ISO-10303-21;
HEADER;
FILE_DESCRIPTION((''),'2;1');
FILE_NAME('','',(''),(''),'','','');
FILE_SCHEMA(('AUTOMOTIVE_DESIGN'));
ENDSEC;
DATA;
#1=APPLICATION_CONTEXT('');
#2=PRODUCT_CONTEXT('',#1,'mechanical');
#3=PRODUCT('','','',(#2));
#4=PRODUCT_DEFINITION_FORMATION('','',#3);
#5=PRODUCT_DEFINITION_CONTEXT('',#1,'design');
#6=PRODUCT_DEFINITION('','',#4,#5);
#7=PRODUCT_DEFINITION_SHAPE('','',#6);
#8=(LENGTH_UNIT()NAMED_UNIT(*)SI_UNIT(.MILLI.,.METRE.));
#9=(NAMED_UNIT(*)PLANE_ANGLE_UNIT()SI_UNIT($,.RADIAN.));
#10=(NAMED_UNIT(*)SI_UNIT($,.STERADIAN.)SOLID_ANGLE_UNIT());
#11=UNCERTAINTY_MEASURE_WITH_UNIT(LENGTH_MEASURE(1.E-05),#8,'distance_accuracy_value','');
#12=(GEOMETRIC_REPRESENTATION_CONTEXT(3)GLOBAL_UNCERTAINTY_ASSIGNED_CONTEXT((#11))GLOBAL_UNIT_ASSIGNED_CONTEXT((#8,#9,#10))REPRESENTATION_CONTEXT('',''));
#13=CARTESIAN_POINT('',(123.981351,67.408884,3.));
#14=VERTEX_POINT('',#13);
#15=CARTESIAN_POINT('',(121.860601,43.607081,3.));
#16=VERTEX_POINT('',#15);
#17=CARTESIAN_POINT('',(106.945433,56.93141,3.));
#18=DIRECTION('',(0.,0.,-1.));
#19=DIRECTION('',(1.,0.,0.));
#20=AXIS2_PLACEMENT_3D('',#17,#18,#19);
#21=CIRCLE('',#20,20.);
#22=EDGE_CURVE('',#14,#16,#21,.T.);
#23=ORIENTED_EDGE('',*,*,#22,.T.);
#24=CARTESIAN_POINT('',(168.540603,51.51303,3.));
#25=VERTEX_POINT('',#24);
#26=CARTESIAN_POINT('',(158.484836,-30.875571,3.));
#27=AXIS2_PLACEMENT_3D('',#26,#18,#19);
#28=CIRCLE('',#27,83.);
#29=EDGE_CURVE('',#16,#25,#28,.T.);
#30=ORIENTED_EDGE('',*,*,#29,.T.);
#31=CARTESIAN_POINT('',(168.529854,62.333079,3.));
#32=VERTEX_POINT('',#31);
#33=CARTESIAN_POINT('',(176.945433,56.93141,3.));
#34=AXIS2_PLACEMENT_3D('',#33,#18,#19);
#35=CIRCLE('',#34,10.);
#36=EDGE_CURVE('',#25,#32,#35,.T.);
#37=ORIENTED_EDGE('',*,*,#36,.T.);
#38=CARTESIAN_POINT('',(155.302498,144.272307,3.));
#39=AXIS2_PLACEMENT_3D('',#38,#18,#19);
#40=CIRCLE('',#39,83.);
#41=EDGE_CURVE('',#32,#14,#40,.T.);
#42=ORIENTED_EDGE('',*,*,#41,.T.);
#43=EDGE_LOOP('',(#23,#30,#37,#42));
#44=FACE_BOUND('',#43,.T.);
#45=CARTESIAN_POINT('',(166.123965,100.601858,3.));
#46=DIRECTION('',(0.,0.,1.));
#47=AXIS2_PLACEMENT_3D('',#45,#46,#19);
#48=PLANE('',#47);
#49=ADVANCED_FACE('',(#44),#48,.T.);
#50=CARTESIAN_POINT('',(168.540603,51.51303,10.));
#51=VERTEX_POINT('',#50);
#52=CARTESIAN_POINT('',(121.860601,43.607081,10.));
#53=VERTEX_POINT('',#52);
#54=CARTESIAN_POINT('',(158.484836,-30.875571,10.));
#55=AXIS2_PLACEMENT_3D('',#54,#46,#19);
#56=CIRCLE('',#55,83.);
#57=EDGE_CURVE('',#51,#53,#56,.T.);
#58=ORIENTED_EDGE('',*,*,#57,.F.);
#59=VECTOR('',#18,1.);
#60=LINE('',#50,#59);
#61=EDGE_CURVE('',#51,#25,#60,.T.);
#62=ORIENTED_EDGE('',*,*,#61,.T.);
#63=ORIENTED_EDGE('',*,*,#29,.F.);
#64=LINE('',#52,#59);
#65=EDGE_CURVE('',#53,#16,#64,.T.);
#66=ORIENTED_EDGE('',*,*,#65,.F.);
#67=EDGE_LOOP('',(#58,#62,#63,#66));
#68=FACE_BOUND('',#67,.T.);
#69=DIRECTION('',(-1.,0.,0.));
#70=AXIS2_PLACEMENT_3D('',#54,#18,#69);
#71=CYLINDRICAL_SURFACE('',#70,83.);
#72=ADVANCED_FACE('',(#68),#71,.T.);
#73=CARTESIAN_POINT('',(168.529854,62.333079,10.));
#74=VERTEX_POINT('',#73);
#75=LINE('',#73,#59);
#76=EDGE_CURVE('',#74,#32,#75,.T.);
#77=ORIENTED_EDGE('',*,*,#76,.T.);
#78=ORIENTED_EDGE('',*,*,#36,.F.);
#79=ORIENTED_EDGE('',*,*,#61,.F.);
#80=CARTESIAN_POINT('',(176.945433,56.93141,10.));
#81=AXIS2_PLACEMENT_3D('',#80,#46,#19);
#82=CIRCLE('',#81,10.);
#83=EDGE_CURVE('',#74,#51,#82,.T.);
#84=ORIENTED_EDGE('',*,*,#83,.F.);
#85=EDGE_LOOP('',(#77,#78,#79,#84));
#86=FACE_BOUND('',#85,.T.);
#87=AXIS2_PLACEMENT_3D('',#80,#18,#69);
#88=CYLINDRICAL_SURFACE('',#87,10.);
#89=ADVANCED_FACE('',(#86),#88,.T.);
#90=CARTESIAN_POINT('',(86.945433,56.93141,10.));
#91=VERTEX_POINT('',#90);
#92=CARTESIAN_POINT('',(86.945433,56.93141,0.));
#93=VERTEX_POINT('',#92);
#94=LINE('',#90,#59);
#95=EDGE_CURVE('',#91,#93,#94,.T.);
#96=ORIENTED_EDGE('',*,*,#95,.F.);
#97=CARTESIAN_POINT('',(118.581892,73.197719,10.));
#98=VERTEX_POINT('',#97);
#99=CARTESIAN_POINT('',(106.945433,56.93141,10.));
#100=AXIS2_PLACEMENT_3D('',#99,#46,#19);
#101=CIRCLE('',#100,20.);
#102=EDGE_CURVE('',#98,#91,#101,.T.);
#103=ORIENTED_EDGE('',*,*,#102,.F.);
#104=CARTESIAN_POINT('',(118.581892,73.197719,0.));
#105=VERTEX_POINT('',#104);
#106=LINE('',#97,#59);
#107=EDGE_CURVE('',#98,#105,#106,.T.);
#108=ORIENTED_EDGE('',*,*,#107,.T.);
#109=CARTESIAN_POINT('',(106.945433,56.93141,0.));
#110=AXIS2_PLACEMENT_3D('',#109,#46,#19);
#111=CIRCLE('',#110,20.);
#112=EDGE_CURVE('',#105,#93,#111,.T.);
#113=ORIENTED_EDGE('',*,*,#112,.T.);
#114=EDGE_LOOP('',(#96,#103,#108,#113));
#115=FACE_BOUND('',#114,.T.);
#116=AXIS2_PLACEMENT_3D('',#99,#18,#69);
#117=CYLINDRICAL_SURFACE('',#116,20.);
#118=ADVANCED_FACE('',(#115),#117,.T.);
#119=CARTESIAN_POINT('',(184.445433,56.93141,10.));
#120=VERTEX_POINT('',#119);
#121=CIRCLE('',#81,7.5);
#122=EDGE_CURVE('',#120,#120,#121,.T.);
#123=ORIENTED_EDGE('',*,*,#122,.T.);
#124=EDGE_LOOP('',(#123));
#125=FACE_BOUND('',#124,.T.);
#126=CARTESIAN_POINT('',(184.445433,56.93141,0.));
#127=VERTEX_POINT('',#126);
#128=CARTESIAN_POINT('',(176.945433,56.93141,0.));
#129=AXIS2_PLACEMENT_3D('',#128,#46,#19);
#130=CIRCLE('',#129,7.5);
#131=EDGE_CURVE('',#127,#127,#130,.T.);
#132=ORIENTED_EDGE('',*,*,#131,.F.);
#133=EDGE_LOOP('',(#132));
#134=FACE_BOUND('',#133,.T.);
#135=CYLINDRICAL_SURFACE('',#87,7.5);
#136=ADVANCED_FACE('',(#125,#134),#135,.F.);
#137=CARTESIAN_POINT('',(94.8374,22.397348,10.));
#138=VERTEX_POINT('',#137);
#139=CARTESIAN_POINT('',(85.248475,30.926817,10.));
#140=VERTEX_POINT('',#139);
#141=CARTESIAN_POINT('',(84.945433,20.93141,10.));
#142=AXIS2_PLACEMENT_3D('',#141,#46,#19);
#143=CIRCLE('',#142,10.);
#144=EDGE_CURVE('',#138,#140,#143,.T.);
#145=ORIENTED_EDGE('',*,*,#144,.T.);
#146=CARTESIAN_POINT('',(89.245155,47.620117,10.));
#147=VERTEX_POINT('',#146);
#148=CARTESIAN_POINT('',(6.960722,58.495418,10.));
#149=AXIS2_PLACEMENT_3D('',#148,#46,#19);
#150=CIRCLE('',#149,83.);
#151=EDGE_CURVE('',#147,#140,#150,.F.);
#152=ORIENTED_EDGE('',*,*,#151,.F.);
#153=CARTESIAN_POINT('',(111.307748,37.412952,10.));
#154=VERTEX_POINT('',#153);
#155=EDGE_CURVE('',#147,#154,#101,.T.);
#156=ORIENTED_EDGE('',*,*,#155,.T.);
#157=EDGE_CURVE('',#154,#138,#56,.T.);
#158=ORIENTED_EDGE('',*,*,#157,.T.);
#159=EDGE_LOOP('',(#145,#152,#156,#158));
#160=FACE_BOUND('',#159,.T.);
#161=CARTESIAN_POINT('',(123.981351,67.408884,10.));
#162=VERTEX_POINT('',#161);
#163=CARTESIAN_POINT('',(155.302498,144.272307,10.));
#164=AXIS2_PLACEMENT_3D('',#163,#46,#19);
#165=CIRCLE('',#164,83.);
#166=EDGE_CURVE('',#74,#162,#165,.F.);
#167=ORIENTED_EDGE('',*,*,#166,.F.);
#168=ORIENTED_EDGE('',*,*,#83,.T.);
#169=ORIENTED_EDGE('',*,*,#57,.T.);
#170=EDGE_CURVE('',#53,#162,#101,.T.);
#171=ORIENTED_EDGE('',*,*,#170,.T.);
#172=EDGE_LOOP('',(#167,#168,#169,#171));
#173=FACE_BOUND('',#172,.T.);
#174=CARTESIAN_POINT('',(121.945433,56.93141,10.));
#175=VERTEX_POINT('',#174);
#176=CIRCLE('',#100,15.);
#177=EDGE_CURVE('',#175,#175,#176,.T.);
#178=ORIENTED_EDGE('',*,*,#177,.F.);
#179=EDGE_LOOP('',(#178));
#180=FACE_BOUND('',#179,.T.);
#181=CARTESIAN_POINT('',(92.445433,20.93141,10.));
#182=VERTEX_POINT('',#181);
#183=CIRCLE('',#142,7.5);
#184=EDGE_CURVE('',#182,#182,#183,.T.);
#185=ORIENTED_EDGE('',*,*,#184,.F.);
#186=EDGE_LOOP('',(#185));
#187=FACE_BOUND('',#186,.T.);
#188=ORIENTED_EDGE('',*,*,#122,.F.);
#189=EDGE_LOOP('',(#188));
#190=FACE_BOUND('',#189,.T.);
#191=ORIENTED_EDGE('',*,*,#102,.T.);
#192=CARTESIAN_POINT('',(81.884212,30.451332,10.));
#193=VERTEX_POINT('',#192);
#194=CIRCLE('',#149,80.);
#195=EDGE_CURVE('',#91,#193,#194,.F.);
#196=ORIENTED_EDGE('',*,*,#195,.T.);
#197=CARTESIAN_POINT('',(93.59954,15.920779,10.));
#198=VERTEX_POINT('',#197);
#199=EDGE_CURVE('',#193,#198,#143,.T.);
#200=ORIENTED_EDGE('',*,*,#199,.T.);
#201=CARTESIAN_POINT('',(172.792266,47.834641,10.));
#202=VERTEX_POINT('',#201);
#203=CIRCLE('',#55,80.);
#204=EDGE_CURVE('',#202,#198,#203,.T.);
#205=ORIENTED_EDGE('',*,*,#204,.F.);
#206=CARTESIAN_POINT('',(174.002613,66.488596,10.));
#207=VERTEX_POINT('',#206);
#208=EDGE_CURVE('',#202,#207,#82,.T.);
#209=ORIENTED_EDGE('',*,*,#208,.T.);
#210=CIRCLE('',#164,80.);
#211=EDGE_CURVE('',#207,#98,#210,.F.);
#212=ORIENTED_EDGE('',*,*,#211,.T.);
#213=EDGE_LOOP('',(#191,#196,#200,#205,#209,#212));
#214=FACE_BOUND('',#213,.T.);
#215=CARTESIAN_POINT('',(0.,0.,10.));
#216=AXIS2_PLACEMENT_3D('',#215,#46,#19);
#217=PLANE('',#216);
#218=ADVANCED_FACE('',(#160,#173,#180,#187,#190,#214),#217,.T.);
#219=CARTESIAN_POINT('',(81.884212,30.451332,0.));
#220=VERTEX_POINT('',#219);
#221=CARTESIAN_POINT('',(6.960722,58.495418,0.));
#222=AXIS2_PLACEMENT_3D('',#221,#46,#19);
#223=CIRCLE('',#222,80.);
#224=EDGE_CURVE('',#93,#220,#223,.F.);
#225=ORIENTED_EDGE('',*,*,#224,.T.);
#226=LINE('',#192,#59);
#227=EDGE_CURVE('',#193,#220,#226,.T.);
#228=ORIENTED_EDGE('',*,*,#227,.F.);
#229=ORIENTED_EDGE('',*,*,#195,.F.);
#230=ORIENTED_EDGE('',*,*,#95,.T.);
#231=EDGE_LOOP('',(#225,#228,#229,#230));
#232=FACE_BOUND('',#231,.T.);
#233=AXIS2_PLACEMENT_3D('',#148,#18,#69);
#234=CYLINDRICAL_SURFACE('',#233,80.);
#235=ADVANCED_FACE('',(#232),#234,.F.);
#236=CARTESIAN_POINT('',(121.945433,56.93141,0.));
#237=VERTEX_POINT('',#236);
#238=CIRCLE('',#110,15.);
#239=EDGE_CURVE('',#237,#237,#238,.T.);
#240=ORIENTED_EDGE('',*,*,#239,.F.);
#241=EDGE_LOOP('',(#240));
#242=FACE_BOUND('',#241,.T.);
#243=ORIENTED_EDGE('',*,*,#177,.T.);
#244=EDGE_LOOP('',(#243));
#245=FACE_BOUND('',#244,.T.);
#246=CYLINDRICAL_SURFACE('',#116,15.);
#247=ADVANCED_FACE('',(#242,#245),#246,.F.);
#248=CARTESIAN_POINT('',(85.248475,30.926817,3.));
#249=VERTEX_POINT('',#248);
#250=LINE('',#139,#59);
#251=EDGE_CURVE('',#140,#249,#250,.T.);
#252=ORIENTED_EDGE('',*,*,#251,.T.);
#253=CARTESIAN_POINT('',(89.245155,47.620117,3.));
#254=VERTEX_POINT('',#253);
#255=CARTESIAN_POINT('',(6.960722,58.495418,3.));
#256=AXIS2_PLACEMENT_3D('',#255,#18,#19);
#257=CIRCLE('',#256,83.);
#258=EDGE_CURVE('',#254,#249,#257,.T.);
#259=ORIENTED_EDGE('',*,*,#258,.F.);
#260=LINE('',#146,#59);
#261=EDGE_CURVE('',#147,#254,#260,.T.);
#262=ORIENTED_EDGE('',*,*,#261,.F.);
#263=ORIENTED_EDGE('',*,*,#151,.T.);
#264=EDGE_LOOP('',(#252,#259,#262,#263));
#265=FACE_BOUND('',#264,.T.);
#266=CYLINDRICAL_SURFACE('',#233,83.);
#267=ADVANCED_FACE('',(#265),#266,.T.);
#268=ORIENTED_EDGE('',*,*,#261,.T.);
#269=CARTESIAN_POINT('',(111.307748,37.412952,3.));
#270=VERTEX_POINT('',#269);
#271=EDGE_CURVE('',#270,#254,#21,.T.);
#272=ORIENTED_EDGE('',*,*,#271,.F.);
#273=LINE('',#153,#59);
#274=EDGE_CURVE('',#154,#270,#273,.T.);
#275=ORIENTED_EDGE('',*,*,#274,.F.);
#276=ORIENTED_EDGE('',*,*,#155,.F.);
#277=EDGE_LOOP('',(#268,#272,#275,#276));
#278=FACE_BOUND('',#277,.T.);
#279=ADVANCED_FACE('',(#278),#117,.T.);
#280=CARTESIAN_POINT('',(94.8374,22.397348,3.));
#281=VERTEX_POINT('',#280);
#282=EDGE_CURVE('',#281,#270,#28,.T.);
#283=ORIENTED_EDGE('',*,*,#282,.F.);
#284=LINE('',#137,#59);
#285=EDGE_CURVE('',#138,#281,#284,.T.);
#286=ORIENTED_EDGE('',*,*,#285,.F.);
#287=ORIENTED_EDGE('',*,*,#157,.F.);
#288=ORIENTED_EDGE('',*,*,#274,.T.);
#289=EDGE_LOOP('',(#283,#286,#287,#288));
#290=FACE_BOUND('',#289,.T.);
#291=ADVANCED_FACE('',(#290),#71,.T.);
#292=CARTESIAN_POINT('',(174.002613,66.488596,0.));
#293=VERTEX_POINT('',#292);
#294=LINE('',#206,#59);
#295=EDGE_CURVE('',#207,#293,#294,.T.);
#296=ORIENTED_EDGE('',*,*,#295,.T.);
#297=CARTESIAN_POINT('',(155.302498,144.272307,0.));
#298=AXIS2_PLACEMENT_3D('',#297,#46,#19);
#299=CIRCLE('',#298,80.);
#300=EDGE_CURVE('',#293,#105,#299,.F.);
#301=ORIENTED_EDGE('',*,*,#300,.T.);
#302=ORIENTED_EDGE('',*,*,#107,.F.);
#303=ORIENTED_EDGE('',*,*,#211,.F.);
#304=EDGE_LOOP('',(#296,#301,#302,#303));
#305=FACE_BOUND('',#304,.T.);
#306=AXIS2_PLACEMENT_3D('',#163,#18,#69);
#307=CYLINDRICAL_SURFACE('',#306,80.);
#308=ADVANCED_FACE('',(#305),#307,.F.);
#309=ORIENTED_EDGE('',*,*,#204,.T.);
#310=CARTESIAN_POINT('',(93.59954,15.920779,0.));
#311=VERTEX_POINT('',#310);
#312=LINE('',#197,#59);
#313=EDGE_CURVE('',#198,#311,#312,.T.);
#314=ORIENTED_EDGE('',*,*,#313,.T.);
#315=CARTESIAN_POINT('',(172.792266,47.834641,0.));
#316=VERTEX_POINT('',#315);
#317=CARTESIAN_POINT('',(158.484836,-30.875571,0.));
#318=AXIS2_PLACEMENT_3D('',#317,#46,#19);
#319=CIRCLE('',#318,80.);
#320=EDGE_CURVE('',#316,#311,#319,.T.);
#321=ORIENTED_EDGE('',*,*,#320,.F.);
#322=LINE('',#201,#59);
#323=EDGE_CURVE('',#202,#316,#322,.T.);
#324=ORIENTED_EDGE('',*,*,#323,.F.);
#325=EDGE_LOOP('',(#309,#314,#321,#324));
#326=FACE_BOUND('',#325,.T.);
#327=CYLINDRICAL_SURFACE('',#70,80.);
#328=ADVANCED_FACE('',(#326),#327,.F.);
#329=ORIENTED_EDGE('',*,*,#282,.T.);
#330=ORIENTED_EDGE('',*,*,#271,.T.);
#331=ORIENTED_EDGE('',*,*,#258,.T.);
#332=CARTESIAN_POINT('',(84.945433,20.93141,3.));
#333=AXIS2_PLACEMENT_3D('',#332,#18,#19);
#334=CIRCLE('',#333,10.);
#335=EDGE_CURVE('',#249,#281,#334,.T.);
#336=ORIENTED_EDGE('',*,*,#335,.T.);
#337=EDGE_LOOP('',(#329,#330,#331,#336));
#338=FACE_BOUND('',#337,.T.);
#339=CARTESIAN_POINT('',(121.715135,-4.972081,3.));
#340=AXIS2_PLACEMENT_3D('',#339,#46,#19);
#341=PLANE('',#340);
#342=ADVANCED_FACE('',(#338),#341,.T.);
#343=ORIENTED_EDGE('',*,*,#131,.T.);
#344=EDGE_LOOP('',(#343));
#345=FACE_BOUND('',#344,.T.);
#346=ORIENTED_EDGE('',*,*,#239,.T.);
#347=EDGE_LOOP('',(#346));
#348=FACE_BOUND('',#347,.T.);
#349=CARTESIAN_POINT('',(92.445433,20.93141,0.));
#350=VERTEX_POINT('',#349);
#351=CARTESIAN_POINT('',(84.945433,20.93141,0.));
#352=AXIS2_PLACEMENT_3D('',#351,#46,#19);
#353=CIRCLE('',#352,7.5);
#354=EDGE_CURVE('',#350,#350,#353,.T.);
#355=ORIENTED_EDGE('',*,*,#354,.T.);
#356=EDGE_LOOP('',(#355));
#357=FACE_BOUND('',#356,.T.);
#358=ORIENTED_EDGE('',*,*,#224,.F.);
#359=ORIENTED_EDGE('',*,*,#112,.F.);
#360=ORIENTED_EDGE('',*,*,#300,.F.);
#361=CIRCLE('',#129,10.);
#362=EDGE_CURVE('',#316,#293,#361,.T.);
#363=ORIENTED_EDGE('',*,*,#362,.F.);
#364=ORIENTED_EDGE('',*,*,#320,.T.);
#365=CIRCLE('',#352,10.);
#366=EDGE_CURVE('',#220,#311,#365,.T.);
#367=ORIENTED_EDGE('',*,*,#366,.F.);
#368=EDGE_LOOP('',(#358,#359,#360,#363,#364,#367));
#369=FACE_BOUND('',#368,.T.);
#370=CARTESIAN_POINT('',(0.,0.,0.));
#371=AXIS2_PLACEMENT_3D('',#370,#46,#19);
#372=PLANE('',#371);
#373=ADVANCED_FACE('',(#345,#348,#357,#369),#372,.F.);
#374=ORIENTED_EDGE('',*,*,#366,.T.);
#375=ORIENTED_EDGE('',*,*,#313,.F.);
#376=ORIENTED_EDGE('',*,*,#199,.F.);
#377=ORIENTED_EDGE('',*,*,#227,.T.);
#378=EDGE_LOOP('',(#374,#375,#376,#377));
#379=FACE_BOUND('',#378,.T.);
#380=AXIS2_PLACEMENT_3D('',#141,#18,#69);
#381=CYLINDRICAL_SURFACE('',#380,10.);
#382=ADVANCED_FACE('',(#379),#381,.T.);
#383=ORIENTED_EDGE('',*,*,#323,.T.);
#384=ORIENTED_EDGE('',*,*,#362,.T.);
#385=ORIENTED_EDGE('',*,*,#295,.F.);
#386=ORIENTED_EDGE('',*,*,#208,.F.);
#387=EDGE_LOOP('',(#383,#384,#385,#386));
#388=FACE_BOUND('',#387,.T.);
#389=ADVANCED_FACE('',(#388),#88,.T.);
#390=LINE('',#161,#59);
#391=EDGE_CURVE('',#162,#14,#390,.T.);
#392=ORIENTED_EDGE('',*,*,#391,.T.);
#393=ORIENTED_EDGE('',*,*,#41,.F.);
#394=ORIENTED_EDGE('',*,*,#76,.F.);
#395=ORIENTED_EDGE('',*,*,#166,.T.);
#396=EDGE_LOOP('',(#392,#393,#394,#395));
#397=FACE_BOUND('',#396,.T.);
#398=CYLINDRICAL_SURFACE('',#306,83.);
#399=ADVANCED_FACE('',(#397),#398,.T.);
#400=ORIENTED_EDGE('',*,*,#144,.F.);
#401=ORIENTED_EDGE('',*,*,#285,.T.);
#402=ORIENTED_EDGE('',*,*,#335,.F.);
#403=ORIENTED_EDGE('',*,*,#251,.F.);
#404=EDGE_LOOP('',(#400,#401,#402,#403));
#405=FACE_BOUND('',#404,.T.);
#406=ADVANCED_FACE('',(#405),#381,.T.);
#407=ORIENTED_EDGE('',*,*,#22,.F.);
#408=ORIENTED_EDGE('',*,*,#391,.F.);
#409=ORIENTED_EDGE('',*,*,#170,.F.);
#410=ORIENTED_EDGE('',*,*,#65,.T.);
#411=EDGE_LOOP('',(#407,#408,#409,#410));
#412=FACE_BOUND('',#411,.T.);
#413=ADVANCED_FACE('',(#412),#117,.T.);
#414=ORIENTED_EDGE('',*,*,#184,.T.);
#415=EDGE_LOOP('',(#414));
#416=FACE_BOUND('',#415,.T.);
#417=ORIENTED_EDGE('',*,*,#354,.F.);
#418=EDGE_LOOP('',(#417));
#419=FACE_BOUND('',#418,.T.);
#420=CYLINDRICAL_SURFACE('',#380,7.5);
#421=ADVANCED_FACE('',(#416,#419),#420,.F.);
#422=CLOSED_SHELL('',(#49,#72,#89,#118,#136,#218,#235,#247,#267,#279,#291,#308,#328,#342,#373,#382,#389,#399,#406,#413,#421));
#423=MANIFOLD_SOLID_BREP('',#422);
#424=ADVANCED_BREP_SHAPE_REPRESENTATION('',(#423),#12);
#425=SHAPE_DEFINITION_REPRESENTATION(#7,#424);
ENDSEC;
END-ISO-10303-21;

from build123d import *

# Parameters (mm, degrees)
SKETCH3_R           = 20
SKETCH3_R_2         = 15
SKETCH3_R_3         = 10
SKETCH3_R_4         = 7.5
BOSS_EXTRUDE1_DEPTH = 10
BOSS_EXTRUDE3_DEPTH = 3


with BuildPart() as part:
    # Sketch3 → Boss-Extrude1 (new body)
    # profile 1 of 6: a face of its own
    with BuildSketch(Plane.XY):
        with BuildLine():
            ThreePointArc((93.599540264, 15.920778558), (128.582431805, 43.32581827), (172.792265807, 47.834640706))
            ThreePointArc((172.792265807, 47.834640706), (170.402615718, 49.368900415), (168.540603284, 51.513029633))
            ThreePointArc((168.540603284, 51.513029633), (144.624934442, 50.959037098), (121.8606014, 43.607080548))
            ThreePointArc((121.8606014, 43.607080548), (117.069520627, 39.683138814), (111.307748037, 37.412951524))
            ThreePointArc((111.307748037, 37.412951524), (102.56627164, 30.460503982), (94.837400467, 22.39734785))
            ThreePointArc((94.837400467, 22.39734785), (94.918388119, 21.666366387), (94.945432764, 20.931409595))
            ThreePointArc((94.945432764, 20.931409595), (94.603100055, 18.337288838), (93.599540264, 15.920778558))
        make_face()
    # profile 2 of 6: a face of its own
    with BuildSketch(Plane.XY):
        with BuildLine():
            ThreePointArc((89.245155024, 47.620117101), (87.528873404, 52.135867645), (86.945432764, 56.931409595))
            ThreePointArc((86.945432764, 56.931409595), (85.538303333, 43.476636452), (81.884211959, 30.451332241))
            ThreePointArc((81.884211959, 30.451332241), (83.546001392, 30.833005014), (85.248475349, 30.9268168))
            ThreePointArc((85.248475349, 30.9268168), (87.679513668, 39.169871065), (89.245155024, 47.620117101))
        make_face()
    # profile 3 of 6: a face of its own
    with BuildSketch(Plane.XY):
        with BuildLine():
            ThreePointArc((168.529854034, 62.33307921), (170.898087492, 64.895680758), (174.002612838, 66.488595942))
            ThreePointArc((174.002612838, 66.488595942), (145.688050003, 64.85214344), (118.581891775, 73.197719001))
            ThreePointArc((118.581891775, 73.197719001), (121.570888747, 70.573111736), (123.981351449, 67.408884223))
            ThreePointArc((123.981351449, 67.408884223), (145.906367795, 61.805873057), (168.529854034, 62.33307921))
        make_face()
    # profile 4 of 6: a face of its own
    with BuildSketch(Plane.XY):
        with Locations((106.945432764, 56.931409595)):
            Circle(SKETCH3_R)
        with Locations((106.945432764, 56.931409595)):
            Circle(SKETCH3_R_2, mode=Mode.SUBTRACT)
    # profile 5 of 6: a face of its own
    with BuildSketch(Plane.XY):
        with Locations((84.945432764, 20.931409595)):
            Circle(SKETCH3_R_3)
        with Locations((84.945432764, 20.931409595)):
            Circle(SKETCH3_R_4, mode=Mode.SUBTRACT)
    # profile 6 of 6: a face of its own
    with BuildSketch(Plane.XY):
        with Locations((176.945432764, 56.931409595)):
            Circle(SKETCH3_R_3)
        with Locations((176.945432764, 56.931409595)):
            Circle(SKETCH3_R_4, mode=Mode.SUBTRACT)
    extrude(amount=BOSS_EXTRUDE1_DEPTH)

    # Sketch4 → Boss-Extrude3 (add)
    with BuildSketch(Plane.XY):
        with BuildLine():
            ThreePointArc((94.837400467, 22.39734785), (91.59167372, 28.403188577), (85.248475349, 30.9268168))
            ThreePointArc((85.248475349, 30.9268168), (87.679513668, 39.169871065), (89.245155024, 47.620117101))
            ThreePointArc((89.245155024, 47.620117101), (98.547702834, 38.779877097), (111.307748037, 37.412951524))
            ThreePointArc((111.307748037, 37.412951524), (102.56627164, 30.460503982), (94.837400467, 22.39734785))
        make_face()
        with BuildLine():
            ThreePointArc((168.529854034, 62.33307921), (166.945437699, 56.921475033), (168.540603284, 51.513029633))
            ThreePointArc((168.540603284, 51.513029633), (144.624934442, 50.959037098), (121.8606014, 43.607080548))
            ThreePointArc((121.8606014, 43.607080548), (126.866513553, 55.156433479), (123.981351449, 67.408884223))
            ThreePointArc((123.981351449, 67.408884223), (145.906367795, 61.805873057), (168.529854034, 62.33307921))
        make_face()
    extrude(amount=BOSS_EXTRUDE3_DEPTH)


solid = part.part
